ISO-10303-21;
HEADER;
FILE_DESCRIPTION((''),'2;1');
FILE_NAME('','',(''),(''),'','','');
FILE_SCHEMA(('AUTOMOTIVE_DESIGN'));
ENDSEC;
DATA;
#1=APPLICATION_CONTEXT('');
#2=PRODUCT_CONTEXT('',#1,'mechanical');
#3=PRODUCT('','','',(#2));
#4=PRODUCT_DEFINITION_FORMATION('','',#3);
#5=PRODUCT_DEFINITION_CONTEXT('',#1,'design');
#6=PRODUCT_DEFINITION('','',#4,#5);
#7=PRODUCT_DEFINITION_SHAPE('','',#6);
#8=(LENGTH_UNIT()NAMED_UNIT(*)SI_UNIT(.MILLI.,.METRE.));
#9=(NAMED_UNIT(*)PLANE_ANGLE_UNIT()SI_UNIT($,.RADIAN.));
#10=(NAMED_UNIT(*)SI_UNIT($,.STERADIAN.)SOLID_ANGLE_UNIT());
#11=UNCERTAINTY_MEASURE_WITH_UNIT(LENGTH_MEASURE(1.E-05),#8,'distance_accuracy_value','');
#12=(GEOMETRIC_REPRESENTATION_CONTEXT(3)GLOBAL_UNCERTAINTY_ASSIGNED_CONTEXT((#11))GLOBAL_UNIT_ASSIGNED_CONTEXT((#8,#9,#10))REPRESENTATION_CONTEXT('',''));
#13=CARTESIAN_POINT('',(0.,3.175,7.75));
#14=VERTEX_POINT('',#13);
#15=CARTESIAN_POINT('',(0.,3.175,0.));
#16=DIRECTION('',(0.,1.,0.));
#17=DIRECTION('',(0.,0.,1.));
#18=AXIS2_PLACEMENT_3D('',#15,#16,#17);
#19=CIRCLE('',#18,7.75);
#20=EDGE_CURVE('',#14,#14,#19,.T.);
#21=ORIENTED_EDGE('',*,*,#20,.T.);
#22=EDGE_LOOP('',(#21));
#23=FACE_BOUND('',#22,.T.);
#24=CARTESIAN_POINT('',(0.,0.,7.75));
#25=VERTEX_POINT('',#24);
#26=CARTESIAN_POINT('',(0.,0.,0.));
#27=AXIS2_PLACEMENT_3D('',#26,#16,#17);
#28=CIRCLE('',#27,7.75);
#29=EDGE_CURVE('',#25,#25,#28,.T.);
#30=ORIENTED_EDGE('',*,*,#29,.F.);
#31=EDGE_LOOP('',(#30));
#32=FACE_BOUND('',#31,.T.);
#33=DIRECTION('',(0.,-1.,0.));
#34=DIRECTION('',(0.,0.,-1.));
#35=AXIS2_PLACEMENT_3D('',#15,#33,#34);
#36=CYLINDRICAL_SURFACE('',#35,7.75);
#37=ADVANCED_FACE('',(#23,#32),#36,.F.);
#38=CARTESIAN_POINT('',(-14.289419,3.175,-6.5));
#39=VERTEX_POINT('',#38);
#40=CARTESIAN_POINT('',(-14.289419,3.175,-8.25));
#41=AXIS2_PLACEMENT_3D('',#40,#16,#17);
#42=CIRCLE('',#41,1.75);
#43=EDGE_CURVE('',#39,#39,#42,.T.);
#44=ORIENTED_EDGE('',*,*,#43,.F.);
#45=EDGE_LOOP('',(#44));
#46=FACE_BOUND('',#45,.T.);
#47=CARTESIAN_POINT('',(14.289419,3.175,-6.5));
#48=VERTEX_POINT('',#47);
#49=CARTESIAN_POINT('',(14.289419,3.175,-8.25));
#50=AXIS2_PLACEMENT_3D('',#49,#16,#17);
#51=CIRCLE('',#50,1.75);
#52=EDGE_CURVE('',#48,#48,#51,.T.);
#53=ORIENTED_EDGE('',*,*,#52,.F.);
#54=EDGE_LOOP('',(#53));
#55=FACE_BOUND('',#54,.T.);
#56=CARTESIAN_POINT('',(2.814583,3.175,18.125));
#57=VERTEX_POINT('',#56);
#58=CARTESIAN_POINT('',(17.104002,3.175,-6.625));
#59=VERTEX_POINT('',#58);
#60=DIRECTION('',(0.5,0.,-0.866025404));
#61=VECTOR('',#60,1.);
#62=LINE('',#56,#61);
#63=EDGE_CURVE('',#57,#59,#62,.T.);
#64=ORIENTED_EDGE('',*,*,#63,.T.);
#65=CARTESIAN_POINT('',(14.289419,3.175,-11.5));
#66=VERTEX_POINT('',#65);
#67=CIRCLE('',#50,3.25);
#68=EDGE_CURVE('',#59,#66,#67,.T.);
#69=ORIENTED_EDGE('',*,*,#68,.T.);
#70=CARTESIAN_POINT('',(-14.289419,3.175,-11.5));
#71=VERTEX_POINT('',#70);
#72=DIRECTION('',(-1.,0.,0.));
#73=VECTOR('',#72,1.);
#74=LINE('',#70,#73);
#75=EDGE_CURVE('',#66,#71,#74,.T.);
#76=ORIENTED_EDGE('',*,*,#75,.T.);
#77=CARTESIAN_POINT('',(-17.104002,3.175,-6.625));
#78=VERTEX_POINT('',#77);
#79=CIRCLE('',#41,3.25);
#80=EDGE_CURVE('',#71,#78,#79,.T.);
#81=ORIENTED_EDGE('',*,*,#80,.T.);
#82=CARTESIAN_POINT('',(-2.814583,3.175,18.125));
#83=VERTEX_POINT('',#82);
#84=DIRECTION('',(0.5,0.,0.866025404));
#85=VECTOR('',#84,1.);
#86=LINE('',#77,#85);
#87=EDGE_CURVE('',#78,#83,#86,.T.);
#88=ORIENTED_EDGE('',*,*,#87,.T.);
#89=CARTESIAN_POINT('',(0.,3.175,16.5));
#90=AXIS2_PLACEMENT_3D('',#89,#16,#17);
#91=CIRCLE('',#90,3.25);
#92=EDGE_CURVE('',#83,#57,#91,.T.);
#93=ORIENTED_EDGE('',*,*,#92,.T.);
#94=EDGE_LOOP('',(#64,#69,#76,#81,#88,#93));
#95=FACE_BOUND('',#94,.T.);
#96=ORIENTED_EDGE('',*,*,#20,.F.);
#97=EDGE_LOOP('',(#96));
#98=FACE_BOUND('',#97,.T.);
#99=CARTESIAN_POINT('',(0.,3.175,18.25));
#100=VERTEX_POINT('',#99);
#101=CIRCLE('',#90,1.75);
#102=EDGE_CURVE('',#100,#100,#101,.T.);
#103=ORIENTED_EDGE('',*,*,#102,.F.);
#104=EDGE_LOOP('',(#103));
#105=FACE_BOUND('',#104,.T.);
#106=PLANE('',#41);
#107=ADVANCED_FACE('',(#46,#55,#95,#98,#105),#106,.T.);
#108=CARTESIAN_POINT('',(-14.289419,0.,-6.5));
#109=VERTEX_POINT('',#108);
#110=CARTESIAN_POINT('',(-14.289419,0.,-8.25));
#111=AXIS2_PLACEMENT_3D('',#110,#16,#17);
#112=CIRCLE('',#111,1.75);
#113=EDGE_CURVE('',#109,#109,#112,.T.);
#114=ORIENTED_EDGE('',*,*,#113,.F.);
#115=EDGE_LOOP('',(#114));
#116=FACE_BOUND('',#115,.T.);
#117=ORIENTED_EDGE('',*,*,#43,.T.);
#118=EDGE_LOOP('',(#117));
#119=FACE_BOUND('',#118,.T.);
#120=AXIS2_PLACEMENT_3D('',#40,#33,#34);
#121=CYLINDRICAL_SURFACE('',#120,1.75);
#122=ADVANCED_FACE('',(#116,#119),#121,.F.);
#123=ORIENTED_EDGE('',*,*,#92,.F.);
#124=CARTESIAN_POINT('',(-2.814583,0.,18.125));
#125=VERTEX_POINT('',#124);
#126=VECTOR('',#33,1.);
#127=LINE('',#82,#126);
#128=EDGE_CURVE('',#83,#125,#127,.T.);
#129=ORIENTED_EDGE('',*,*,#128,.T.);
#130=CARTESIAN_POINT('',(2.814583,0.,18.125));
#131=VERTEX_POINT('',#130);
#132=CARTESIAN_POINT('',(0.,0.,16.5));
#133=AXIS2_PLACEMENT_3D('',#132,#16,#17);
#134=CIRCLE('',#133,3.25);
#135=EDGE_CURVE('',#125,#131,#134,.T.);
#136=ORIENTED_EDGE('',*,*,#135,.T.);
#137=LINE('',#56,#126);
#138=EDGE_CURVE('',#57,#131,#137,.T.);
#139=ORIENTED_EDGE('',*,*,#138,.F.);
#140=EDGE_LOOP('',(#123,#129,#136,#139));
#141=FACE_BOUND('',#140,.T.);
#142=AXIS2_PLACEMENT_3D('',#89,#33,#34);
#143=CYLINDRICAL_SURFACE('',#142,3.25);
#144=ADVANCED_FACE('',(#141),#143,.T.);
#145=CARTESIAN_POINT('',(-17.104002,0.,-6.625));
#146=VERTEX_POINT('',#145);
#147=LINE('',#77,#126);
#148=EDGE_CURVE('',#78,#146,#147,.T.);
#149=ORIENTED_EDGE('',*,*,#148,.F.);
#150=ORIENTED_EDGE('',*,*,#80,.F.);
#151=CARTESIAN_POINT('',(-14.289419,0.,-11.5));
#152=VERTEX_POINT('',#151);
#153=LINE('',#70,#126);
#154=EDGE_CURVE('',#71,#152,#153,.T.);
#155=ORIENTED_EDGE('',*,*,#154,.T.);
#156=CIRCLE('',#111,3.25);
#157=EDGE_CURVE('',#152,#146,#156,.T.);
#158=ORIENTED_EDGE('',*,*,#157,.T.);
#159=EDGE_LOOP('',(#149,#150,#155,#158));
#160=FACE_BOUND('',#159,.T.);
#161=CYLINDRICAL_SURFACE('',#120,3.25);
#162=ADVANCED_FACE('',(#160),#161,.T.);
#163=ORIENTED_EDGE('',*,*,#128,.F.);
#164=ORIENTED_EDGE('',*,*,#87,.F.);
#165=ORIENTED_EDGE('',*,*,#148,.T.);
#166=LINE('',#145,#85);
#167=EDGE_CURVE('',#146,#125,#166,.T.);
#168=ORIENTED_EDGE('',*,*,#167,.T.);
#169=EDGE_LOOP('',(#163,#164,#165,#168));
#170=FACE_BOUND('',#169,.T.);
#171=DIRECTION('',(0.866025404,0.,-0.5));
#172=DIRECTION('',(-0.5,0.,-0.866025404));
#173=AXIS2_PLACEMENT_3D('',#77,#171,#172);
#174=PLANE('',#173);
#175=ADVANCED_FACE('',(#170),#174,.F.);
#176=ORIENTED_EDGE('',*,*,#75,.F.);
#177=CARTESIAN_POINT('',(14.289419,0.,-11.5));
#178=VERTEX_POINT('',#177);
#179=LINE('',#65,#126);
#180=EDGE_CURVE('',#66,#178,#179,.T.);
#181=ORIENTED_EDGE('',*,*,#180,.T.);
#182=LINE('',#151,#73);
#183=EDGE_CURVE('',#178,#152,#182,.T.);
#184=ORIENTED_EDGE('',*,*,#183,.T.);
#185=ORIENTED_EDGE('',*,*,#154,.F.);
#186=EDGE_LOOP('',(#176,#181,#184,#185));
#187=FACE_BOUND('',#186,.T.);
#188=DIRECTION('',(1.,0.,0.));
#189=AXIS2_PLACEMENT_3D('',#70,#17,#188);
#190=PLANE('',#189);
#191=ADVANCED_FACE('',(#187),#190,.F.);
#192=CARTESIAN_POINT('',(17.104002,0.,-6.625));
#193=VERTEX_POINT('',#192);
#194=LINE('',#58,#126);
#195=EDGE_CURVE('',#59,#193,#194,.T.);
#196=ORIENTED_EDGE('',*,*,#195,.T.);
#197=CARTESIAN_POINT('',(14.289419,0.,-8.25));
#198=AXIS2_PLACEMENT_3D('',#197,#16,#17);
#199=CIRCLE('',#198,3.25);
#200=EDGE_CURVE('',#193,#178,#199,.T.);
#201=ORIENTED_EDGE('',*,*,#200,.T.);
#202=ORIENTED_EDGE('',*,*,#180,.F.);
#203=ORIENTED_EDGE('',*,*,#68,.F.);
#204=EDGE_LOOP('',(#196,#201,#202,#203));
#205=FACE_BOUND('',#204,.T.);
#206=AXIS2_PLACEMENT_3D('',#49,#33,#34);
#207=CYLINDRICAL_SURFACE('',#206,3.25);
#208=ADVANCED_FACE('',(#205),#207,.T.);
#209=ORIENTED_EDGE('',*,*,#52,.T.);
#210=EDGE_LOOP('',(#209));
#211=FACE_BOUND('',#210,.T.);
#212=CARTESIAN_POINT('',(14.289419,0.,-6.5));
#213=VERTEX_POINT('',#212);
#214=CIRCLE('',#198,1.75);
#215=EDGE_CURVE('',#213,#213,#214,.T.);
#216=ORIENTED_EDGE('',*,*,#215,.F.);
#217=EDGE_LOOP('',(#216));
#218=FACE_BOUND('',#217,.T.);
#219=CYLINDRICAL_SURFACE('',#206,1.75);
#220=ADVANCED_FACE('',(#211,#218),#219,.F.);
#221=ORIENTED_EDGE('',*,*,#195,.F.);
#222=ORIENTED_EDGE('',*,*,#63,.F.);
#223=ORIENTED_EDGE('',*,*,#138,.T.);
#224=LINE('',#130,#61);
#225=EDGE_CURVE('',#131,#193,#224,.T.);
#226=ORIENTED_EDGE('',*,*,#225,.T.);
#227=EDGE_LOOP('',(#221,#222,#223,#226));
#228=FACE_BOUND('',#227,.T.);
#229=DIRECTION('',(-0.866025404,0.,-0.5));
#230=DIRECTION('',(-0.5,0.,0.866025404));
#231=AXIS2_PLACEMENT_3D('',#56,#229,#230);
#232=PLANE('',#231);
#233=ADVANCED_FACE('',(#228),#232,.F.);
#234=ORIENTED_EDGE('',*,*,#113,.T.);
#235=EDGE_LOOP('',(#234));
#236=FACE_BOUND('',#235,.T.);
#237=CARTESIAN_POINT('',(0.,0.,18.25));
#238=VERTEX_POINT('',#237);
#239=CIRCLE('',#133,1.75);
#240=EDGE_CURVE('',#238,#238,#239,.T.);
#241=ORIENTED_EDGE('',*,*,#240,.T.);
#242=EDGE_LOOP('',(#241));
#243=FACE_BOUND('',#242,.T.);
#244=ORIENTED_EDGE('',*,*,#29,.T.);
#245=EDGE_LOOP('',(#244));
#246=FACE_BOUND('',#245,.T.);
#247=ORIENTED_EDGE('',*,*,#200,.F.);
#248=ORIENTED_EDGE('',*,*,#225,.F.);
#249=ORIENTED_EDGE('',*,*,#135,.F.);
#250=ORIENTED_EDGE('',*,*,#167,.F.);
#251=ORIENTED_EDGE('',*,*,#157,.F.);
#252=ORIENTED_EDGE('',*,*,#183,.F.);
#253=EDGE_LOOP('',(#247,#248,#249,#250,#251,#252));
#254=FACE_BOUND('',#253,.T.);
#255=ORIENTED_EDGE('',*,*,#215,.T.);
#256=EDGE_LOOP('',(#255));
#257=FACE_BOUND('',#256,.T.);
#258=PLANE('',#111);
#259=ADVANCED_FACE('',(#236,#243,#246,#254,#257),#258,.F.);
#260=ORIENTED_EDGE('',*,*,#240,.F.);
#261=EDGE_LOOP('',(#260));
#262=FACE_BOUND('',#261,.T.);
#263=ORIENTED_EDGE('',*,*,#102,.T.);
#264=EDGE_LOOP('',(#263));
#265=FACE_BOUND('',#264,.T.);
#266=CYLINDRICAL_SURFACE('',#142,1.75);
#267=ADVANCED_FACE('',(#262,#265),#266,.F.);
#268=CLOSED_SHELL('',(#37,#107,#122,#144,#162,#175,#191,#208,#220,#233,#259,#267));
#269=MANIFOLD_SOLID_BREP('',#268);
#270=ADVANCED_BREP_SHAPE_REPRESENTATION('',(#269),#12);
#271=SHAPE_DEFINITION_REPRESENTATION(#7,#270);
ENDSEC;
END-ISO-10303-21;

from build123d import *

# Parameters (mm, degrees)
SKETCH1_R           = 7.75
SKETCH1_R_2         = 1.75
BOSS_EXTRUDE1_DEPTH = 3.175


with BuildPart() as part:
    # Sketch1 → Boss-Extrude1 (new body)
    with BuildSketch(Plane(origin=(0, 0, 0), x_dir=(1, 0, 0), z_dir=(0, 1, 0))):
        with BuildLine():
            Line((-17.104001725, 6.625), (-2.814582562, -18.125))
            ThreePointArc((-2.814582562, -18.125), (0, -19.75), (2.814582562, -18.125))
            Line((2.814582562, -18.125), (17.104001725, 6.625))
            ThreePointArc((17.104001725, 6.625), (17.104001725, 9.875), (14.289419162, 11.5))
            Line((14.289419162, 11.5), (-14.289419162, 11.5))
            ThreePointArc((-14.289419162, 11.5), (-17.104001725, 9.875), (-17.104001725, 6.625))
        make_face()
        with Locations(Location((0, 0, 0), (0, 0, 270))):  # turned: the seam where the file's is
            Circle(SKETCH1_R, mode=Mode.SUBTRACT)
        with Locations(Location((-14.289419162, 8.25, 0), (0, 0, 270))):  # turned: the seam where the file's is
            Circle(SKETCH1_R_2, mode=Mode.SUBTRACT)
        with Locations(Location((0, -16.5, 0), (0, 0, 270))):  # turned: the seam where the file's is
            Circle(SKETCH1_R_2, mode=Mode.SUBTRACT)
        with Locations(Location((14.289419162, 8.25, 0), (0, 0, 270))):  # turned: the seam where the file's is
            Circle(SKETCH1_R_2, mode=Mode.SUBTRACT)
    extrude(amount=BOSS_EXTRUDE1_DEPTH)


solid = part.part
